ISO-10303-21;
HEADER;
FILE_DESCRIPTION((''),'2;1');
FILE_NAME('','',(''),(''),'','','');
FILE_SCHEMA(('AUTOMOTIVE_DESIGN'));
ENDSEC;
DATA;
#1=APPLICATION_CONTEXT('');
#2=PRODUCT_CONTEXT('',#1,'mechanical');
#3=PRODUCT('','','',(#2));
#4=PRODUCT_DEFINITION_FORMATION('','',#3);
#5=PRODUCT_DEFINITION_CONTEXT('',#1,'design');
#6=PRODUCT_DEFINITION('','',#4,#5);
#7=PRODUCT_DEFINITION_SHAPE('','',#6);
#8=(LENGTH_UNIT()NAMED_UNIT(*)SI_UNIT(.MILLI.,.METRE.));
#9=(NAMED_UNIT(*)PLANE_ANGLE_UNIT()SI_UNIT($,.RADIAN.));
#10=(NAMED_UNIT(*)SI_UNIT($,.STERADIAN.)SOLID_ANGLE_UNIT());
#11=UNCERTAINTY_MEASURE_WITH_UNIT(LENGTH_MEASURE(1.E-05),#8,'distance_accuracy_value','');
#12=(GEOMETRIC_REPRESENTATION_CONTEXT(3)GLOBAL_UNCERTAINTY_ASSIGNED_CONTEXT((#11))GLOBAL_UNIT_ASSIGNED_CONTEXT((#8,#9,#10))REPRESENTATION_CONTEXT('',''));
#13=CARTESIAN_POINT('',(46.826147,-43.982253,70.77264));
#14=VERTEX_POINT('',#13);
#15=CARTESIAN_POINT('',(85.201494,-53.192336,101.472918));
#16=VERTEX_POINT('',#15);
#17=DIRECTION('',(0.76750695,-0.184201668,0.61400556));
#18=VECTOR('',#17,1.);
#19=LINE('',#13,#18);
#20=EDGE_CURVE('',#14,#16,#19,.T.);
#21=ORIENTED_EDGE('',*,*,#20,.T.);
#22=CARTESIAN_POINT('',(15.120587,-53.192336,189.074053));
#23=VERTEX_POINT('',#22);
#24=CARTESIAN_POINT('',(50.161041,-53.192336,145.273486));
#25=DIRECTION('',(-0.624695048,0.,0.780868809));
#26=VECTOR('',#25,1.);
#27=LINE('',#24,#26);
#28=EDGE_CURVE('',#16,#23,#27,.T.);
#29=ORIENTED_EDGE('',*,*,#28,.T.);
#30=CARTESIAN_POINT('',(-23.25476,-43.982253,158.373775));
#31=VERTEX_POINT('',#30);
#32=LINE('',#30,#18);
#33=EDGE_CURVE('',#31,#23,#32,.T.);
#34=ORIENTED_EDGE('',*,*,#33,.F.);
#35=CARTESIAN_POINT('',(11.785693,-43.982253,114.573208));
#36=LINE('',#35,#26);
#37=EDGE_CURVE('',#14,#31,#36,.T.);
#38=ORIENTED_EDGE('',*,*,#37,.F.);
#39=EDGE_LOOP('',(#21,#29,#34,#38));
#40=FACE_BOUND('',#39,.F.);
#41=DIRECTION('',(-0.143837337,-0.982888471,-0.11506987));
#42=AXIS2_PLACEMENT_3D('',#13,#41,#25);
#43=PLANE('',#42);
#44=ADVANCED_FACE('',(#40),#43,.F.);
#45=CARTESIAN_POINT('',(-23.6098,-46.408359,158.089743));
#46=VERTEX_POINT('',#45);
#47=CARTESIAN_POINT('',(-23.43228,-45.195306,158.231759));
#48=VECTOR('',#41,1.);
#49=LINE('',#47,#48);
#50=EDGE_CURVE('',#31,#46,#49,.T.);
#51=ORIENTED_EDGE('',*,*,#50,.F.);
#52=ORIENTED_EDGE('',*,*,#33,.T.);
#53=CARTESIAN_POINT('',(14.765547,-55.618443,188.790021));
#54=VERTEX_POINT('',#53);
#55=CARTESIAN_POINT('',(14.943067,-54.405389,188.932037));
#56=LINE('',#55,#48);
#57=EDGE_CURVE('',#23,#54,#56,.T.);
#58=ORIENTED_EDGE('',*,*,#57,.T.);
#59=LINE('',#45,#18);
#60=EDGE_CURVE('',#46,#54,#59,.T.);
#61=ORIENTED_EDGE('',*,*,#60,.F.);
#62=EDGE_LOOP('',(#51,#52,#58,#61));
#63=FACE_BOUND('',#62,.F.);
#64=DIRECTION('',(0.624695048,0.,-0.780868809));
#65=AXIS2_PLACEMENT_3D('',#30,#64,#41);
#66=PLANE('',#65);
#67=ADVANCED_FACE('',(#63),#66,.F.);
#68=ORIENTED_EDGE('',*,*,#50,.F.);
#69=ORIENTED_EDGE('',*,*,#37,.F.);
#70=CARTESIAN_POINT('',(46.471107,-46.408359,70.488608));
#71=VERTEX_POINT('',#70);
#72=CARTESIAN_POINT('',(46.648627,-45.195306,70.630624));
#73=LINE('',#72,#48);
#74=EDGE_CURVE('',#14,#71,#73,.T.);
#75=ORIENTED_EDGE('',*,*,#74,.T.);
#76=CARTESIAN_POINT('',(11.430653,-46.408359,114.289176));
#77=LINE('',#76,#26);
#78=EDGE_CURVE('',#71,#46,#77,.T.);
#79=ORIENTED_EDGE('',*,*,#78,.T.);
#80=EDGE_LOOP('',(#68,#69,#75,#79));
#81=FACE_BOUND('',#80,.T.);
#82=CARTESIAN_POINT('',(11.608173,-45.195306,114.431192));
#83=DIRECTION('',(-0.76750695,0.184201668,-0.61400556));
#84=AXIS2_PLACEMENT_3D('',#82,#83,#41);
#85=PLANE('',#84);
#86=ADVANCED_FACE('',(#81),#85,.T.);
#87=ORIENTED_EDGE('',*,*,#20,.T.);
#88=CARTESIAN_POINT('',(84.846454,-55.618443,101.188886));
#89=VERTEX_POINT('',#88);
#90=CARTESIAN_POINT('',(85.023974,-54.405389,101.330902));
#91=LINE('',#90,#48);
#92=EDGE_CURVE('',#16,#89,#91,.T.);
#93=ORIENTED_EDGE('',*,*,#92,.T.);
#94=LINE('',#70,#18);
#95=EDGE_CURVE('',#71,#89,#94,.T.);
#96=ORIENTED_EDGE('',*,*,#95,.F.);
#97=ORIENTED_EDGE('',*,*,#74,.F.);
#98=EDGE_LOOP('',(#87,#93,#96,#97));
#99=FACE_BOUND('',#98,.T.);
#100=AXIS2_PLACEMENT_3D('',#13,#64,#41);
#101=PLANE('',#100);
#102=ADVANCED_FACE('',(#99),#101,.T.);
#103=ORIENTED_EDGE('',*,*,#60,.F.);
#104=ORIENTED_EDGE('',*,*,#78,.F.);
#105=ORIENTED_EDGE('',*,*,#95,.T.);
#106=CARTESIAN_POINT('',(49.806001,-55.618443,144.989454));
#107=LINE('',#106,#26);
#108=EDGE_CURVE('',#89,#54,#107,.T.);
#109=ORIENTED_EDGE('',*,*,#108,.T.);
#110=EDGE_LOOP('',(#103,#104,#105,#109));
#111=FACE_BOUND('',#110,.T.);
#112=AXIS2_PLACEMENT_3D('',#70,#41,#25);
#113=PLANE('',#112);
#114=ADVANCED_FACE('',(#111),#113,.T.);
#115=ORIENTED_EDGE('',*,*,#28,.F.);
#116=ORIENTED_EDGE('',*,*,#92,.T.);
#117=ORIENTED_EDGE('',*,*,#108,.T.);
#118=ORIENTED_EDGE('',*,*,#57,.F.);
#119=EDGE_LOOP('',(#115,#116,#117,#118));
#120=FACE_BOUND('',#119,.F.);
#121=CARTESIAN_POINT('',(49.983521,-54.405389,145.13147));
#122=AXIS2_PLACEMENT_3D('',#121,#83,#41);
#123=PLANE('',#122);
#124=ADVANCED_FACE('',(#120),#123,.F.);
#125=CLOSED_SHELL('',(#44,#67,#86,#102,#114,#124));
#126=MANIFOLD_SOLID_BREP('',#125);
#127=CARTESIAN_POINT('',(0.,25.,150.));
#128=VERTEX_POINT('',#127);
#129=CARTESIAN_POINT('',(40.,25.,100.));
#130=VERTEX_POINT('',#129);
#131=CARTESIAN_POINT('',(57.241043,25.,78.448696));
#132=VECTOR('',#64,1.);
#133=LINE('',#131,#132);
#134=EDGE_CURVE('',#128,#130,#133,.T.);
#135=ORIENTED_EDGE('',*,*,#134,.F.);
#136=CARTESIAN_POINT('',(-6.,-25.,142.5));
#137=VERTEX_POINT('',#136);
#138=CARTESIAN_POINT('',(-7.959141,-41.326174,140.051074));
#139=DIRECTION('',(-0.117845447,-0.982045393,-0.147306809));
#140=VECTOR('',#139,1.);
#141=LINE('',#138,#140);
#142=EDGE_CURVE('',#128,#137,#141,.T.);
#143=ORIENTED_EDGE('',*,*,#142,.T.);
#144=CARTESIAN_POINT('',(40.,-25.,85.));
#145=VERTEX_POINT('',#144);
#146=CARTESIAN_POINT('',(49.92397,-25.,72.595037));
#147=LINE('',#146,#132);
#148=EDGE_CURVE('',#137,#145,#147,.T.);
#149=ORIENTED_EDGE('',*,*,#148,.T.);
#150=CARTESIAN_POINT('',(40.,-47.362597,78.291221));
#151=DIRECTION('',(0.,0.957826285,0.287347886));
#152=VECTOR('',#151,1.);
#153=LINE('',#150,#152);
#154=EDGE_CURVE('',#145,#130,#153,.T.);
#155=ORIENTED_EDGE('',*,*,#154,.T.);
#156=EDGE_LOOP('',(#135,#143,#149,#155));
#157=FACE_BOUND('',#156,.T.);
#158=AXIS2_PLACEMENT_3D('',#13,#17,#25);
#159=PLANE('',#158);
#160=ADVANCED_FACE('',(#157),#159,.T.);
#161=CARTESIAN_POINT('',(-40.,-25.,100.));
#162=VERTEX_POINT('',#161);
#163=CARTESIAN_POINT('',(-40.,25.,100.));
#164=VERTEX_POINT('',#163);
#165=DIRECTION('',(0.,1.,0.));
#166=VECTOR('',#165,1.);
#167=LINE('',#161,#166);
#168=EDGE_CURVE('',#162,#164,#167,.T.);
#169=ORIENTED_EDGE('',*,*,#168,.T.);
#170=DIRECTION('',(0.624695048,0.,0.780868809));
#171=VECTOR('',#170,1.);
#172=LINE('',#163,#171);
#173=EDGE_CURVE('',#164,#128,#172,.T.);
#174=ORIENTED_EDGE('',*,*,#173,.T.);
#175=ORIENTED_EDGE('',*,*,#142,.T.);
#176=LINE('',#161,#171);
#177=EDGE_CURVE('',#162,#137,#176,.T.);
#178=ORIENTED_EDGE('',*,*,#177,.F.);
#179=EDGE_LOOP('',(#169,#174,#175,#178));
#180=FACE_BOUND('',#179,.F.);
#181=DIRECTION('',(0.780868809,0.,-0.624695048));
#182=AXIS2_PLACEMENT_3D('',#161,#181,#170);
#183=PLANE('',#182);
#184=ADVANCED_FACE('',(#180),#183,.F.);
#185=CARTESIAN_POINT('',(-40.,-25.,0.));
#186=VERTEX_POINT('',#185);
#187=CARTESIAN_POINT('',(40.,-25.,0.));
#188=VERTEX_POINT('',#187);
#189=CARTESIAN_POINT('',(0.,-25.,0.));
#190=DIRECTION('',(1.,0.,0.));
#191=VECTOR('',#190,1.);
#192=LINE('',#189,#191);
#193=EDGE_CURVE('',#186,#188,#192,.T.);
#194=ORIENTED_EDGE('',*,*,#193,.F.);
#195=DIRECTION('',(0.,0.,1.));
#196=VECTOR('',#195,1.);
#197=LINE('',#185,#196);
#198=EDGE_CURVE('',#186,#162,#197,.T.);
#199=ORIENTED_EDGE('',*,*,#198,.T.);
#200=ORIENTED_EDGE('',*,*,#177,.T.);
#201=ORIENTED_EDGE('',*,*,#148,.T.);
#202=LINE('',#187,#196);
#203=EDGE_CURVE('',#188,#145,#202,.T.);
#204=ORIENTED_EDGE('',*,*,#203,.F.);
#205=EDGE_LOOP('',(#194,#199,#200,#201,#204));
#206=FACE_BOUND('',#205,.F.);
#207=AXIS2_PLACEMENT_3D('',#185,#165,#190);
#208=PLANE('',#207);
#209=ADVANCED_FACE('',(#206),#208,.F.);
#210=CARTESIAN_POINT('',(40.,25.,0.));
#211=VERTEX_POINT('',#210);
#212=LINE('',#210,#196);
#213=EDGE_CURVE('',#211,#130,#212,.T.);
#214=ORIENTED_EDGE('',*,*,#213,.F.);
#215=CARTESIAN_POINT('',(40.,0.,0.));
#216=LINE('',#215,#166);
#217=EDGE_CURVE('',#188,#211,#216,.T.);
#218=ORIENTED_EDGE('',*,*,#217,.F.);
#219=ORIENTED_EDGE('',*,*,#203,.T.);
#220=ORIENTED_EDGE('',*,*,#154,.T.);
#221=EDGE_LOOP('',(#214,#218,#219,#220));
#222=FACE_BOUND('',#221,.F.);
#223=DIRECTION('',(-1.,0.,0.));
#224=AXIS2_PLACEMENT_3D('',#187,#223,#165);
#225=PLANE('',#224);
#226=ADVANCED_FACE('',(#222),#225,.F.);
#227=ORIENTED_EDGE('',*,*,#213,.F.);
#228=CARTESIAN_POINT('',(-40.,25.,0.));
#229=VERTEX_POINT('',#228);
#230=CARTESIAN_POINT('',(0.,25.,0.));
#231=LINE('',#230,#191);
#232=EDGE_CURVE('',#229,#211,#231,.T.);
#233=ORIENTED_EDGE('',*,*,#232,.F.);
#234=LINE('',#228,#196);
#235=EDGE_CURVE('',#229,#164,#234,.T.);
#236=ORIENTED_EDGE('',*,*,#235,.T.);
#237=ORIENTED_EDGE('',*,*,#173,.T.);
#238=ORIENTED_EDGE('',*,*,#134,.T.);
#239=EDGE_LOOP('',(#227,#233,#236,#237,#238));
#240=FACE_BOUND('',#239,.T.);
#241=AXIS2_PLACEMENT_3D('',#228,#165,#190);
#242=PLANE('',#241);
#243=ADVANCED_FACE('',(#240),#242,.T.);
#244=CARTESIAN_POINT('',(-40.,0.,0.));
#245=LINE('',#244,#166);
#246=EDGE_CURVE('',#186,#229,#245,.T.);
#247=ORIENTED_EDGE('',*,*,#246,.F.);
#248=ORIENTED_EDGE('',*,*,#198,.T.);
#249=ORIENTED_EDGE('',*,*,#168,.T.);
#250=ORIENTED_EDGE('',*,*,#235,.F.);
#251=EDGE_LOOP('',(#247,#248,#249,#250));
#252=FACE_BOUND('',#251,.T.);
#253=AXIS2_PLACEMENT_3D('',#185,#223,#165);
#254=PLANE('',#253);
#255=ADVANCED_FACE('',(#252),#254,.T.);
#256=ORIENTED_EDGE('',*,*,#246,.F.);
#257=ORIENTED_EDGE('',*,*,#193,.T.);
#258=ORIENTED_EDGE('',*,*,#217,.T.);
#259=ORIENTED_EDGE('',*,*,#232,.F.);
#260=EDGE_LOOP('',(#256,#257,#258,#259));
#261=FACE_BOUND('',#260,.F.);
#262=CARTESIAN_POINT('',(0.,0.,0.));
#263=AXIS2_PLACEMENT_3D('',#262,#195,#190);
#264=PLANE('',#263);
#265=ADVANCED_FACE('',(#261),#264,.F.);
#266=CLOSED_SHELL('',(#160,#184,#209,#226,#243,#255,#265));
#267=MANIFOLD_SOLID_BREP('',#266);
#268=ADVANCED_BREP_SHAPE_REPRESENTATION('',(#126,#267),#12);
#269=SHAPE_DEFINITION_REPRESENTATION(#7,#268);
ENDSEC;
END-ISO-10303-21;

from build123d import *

# Parameters (mm, degrees)
F0_W     = 80
F0_H     = 50
F1_DEPTH = 150
F3_DEPTH = 50
F6_W     = 2.4683438241
F6_H     = 112.18418926
F7_DEPTH = 50
F8_DEPTH = 100


with BuildPart() as f1:
    # F0 (on Top) → F1 (new body)
    with BuildSketch(Plane.XY):
        Rectangle(F0_W, F0_H)
    extrude(amount=F1_DEPTH)

    # F2 (on face) → F3 (cut, through all)
    with BuildSketch(Plane.XZ.offset(25)):
        Polygon((-40, 150), (-40, 100), (0, 150), align=None)
    extrude(amount=-F3_DEPTH, mode=Mode.SUBTRACT)



with BuildPart() as f7:
    # F6 (on 3pt) → F7 (new body)
    with BuildSketch(Plane(origin=(67.1536286522, -16.1168708765, 53.7229029218), x_dir=(-0.1438373372, -0.9828884705, -0.1150698697), z_dir=(-0.7675069498, 0.184201668, -0.6140055598))):
        with Locations((29.5846741647, 82.1041800082)):
            Rectangle(F6_W, F6_H)
    extrude(amount=-F7_DEPTH)


with BuildPart() as f1_1:
    add(f1.part)
    # F8 (cut): a face of the model
    f8_faces = [f7.part.faces().sort_by_distance(p)[0] for p in [
        (30.9733670118, -48.5872943735, 129.9233466104),
    ]]
    extrude(f8_faces, amount=F8_DEPTH, mode=Mode.SUBTRACT)


solid = Compound([f7.part, f1_1.part])
